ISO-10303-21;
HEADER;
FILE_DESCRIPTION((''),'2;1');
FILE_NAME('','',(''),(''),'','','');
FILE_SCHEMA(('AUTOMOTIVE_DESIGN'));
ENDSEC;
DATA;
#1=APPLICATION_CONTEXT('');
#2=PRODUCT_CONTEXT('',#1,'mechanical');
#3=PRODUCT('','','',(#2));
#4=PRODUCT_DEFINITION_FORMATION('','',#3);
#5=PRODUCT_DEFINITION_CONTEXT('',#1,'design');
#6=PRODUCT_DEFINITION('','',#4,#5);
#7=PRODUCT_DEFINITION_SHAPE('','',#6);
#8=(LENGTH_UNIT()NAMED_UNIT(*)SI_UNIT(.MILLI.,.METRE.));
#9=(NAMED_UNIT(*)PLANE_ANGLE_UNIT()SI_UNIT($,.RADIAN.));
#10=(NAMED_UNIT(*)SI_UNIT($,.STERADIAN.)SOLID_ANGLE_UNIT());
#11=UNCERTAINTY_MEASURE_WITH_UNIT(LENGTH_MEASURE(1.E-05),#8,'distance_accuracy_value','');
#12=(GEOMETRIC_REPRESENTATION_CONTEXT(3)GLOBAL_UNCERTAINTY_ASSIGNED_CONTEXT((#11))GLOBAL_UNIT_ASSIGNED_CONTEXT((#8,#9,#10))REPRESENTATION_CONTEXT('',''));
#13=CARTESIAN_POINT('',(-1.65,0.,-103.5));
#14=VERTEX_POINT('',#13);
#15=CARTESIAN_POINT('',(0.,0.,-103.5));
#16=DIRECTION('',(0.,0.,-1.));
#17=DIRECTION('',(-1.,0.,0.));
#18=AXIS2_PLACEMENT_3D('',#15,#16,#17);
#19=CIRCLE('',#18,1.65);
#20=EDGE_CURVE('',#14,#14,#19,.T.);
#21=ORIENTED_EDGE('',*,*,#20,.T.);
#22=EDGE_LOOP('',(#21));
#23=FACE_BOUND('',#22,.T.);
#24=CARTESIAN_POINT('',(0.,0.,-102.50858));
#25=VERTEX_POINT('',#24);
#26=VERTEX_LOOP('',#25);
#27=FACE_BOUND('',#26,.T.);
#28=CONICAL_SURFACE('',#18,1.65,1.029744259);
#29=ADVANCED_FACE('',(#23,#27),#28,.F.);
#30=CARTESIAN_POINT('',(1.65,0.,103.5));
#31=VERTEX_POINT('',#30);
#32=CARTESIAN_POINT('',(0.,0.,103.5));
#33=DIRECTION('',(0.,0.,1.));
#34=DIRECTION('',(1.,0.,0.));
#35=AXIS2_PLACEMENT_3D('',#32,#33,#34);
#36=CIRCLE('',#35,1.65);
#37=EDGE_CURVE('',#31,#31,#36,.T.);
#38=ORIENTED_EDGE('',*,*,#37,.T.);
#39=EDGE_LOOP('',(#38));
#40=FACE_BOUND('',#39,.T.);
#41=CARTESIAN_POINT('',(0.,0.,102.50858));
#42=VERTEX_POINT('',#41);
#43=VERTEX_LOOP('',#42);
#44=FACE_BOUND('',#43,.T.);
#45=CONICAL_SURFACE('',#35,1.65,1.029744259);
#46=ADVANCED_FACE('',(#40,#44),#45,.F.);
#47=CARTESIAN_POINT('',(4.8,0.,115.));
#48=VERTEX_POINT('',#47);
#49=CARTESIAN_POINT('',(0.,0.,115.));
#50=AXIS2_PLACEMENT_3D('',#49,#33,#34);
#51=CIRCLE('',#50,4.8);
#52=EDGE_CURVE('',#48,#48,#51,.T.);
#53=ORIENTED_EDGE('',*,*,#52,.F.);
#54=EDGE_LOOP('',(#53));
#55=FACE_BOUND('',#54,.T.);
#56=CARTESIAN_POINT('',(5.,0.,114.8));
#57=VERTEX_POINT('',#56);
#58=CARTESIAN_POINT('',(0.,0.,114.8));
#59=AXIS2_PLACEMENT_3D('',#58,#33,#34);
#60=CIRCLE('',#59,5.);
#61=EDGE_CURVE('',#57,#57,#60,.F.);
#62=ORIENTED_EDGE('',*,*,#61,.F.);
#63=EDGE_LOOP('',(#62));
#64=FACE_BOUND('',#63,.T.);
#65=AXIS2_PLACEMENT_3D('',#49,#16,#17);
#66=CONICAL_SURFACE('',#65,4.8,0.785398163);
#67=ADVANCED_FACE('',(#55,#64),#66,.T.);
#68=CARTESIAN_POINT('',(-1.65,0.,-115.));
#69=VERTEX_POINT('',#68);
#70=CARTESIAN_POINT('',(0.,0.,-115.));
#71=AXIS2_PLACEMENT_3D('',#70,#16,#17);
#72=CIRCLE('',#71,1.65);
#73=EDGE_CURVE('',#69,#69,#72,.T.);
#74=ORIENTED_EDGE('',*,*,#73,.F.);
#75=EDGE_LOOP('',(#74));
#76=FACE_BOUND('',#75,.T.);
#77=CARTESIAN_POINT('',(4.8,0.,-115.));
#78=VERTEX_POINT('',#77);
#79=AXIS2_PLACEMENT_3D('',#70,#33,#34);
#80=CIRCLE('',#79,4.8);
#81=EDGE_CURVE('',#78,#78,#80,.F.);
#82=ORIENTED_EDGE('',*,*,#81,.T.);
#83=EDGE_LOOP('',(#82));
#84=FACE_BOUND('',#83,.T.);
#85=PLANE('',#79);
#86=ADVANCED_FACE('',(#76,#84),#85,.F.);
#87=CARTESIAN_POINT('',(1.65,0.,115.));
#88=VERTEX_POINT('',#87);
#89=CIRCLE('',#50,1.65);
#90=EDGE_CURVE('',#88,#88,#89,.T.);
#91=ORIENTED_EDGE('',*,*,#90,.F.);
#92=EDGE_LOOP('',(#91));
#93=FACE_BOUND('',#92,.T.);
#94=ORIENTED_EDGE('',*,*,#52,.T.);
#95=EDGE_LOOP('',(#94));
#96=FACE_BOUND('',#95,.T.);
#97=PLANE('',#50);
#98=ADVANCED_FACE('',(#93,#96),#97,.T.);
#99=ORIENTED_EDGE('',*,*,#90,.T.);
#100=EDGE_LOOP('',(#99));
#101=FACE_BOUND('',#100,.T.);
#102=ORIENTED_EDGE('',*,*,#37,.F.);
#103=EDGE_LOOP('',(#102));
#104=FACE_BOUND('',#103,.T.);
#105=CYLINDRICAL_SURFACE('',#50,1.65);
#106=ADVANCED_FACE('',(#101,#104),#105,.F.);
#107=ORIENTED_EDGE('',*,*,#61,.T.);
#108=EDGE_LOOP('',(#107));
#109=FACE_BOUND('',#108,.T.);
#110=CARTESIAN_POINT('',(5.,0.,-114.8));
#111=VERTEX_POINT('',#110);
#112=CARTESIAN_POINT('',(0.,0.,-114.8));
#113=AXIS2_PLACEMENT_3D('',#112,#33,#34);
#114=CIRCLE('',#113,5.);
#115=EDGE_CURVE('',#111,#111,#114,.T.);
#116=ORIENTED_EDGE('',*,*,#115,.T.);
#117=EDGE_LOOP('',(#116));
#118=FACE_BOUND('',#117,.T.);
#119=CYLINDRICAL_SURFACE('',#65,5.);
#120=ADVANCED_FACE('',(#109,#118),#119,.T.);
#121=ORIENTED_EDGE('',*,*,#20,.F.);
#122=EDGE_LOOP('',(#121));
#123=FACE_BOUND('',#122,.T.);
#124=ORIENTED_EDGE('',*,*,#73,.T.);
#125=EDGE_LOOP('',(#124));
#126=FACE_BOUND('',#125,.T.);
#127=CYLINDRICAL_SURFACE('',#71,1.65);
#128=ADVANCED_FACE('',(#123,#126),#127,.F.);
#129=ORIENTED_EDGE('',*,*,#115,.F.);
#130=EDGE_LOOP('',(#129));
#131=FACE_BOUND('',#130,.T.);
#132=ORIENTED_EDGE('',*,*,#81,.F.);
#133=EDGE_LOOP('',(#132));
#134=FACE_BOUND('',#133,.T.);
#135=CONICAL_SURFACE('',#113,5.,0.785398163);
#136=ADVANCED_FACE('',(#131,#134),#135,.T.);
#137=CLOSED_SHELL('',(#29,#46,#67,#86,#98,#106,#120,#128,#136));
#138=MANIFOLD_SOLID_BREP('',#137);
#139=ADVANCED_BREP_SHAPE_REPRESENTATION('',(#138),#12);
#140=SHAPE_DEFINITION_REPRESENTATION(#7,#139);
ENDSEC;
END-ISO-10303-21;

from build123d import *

# Parameters (mm, degrees)
SKETCH_1_R      = 5
EXTRUDE_1_DEPTH = 115
CHAMFER_1_SIZE  = 0.2


with BuildPart() as part:
    # ｽｹｯﾁ1 → ﾎﾞｽ - 押し出し1 (new, symmetric)
    with BuildSketch(Plane.XY):
        Circle(SKETCH_1_R)
    extrude(amount=EXTRUDE_1_DEPTH, both=True)

    # ｽｹｯﾁ3 → M4x0.7 ねじ穴1 (revolve, cut)
    with BuildSketch(Plane(origin=(0, 0, 115), x_dir=(0, -1, 0), z_dir=(1, 0, 0))):
        Polygon((0, 0), (0, 12.491420021), (1.65, 11.5), (1.65, 0), align=None)
    m4x0_7_1 = revolve(axis=Axis((0, 0, 121.35), (0, 0, -1)), mode=Mode.SUBTRACT)

    # ﾐﾗｰ1: M4x0.7 ねじ穴1 across plane
    add(m4x0_7_1.mirror(Plane.XY), mode=Mode.SUBTRACT)

    # 面取り1
    chamfer_1_edges = [part.edges().sort_by_distance(p)[0] for p in [
        (-5, 0, -115),
        (-5, 0, 115),
    ]]
    chamfer(chamfer_1_edges, length=CHAMFER_1_SIZE)


solid = part.part
